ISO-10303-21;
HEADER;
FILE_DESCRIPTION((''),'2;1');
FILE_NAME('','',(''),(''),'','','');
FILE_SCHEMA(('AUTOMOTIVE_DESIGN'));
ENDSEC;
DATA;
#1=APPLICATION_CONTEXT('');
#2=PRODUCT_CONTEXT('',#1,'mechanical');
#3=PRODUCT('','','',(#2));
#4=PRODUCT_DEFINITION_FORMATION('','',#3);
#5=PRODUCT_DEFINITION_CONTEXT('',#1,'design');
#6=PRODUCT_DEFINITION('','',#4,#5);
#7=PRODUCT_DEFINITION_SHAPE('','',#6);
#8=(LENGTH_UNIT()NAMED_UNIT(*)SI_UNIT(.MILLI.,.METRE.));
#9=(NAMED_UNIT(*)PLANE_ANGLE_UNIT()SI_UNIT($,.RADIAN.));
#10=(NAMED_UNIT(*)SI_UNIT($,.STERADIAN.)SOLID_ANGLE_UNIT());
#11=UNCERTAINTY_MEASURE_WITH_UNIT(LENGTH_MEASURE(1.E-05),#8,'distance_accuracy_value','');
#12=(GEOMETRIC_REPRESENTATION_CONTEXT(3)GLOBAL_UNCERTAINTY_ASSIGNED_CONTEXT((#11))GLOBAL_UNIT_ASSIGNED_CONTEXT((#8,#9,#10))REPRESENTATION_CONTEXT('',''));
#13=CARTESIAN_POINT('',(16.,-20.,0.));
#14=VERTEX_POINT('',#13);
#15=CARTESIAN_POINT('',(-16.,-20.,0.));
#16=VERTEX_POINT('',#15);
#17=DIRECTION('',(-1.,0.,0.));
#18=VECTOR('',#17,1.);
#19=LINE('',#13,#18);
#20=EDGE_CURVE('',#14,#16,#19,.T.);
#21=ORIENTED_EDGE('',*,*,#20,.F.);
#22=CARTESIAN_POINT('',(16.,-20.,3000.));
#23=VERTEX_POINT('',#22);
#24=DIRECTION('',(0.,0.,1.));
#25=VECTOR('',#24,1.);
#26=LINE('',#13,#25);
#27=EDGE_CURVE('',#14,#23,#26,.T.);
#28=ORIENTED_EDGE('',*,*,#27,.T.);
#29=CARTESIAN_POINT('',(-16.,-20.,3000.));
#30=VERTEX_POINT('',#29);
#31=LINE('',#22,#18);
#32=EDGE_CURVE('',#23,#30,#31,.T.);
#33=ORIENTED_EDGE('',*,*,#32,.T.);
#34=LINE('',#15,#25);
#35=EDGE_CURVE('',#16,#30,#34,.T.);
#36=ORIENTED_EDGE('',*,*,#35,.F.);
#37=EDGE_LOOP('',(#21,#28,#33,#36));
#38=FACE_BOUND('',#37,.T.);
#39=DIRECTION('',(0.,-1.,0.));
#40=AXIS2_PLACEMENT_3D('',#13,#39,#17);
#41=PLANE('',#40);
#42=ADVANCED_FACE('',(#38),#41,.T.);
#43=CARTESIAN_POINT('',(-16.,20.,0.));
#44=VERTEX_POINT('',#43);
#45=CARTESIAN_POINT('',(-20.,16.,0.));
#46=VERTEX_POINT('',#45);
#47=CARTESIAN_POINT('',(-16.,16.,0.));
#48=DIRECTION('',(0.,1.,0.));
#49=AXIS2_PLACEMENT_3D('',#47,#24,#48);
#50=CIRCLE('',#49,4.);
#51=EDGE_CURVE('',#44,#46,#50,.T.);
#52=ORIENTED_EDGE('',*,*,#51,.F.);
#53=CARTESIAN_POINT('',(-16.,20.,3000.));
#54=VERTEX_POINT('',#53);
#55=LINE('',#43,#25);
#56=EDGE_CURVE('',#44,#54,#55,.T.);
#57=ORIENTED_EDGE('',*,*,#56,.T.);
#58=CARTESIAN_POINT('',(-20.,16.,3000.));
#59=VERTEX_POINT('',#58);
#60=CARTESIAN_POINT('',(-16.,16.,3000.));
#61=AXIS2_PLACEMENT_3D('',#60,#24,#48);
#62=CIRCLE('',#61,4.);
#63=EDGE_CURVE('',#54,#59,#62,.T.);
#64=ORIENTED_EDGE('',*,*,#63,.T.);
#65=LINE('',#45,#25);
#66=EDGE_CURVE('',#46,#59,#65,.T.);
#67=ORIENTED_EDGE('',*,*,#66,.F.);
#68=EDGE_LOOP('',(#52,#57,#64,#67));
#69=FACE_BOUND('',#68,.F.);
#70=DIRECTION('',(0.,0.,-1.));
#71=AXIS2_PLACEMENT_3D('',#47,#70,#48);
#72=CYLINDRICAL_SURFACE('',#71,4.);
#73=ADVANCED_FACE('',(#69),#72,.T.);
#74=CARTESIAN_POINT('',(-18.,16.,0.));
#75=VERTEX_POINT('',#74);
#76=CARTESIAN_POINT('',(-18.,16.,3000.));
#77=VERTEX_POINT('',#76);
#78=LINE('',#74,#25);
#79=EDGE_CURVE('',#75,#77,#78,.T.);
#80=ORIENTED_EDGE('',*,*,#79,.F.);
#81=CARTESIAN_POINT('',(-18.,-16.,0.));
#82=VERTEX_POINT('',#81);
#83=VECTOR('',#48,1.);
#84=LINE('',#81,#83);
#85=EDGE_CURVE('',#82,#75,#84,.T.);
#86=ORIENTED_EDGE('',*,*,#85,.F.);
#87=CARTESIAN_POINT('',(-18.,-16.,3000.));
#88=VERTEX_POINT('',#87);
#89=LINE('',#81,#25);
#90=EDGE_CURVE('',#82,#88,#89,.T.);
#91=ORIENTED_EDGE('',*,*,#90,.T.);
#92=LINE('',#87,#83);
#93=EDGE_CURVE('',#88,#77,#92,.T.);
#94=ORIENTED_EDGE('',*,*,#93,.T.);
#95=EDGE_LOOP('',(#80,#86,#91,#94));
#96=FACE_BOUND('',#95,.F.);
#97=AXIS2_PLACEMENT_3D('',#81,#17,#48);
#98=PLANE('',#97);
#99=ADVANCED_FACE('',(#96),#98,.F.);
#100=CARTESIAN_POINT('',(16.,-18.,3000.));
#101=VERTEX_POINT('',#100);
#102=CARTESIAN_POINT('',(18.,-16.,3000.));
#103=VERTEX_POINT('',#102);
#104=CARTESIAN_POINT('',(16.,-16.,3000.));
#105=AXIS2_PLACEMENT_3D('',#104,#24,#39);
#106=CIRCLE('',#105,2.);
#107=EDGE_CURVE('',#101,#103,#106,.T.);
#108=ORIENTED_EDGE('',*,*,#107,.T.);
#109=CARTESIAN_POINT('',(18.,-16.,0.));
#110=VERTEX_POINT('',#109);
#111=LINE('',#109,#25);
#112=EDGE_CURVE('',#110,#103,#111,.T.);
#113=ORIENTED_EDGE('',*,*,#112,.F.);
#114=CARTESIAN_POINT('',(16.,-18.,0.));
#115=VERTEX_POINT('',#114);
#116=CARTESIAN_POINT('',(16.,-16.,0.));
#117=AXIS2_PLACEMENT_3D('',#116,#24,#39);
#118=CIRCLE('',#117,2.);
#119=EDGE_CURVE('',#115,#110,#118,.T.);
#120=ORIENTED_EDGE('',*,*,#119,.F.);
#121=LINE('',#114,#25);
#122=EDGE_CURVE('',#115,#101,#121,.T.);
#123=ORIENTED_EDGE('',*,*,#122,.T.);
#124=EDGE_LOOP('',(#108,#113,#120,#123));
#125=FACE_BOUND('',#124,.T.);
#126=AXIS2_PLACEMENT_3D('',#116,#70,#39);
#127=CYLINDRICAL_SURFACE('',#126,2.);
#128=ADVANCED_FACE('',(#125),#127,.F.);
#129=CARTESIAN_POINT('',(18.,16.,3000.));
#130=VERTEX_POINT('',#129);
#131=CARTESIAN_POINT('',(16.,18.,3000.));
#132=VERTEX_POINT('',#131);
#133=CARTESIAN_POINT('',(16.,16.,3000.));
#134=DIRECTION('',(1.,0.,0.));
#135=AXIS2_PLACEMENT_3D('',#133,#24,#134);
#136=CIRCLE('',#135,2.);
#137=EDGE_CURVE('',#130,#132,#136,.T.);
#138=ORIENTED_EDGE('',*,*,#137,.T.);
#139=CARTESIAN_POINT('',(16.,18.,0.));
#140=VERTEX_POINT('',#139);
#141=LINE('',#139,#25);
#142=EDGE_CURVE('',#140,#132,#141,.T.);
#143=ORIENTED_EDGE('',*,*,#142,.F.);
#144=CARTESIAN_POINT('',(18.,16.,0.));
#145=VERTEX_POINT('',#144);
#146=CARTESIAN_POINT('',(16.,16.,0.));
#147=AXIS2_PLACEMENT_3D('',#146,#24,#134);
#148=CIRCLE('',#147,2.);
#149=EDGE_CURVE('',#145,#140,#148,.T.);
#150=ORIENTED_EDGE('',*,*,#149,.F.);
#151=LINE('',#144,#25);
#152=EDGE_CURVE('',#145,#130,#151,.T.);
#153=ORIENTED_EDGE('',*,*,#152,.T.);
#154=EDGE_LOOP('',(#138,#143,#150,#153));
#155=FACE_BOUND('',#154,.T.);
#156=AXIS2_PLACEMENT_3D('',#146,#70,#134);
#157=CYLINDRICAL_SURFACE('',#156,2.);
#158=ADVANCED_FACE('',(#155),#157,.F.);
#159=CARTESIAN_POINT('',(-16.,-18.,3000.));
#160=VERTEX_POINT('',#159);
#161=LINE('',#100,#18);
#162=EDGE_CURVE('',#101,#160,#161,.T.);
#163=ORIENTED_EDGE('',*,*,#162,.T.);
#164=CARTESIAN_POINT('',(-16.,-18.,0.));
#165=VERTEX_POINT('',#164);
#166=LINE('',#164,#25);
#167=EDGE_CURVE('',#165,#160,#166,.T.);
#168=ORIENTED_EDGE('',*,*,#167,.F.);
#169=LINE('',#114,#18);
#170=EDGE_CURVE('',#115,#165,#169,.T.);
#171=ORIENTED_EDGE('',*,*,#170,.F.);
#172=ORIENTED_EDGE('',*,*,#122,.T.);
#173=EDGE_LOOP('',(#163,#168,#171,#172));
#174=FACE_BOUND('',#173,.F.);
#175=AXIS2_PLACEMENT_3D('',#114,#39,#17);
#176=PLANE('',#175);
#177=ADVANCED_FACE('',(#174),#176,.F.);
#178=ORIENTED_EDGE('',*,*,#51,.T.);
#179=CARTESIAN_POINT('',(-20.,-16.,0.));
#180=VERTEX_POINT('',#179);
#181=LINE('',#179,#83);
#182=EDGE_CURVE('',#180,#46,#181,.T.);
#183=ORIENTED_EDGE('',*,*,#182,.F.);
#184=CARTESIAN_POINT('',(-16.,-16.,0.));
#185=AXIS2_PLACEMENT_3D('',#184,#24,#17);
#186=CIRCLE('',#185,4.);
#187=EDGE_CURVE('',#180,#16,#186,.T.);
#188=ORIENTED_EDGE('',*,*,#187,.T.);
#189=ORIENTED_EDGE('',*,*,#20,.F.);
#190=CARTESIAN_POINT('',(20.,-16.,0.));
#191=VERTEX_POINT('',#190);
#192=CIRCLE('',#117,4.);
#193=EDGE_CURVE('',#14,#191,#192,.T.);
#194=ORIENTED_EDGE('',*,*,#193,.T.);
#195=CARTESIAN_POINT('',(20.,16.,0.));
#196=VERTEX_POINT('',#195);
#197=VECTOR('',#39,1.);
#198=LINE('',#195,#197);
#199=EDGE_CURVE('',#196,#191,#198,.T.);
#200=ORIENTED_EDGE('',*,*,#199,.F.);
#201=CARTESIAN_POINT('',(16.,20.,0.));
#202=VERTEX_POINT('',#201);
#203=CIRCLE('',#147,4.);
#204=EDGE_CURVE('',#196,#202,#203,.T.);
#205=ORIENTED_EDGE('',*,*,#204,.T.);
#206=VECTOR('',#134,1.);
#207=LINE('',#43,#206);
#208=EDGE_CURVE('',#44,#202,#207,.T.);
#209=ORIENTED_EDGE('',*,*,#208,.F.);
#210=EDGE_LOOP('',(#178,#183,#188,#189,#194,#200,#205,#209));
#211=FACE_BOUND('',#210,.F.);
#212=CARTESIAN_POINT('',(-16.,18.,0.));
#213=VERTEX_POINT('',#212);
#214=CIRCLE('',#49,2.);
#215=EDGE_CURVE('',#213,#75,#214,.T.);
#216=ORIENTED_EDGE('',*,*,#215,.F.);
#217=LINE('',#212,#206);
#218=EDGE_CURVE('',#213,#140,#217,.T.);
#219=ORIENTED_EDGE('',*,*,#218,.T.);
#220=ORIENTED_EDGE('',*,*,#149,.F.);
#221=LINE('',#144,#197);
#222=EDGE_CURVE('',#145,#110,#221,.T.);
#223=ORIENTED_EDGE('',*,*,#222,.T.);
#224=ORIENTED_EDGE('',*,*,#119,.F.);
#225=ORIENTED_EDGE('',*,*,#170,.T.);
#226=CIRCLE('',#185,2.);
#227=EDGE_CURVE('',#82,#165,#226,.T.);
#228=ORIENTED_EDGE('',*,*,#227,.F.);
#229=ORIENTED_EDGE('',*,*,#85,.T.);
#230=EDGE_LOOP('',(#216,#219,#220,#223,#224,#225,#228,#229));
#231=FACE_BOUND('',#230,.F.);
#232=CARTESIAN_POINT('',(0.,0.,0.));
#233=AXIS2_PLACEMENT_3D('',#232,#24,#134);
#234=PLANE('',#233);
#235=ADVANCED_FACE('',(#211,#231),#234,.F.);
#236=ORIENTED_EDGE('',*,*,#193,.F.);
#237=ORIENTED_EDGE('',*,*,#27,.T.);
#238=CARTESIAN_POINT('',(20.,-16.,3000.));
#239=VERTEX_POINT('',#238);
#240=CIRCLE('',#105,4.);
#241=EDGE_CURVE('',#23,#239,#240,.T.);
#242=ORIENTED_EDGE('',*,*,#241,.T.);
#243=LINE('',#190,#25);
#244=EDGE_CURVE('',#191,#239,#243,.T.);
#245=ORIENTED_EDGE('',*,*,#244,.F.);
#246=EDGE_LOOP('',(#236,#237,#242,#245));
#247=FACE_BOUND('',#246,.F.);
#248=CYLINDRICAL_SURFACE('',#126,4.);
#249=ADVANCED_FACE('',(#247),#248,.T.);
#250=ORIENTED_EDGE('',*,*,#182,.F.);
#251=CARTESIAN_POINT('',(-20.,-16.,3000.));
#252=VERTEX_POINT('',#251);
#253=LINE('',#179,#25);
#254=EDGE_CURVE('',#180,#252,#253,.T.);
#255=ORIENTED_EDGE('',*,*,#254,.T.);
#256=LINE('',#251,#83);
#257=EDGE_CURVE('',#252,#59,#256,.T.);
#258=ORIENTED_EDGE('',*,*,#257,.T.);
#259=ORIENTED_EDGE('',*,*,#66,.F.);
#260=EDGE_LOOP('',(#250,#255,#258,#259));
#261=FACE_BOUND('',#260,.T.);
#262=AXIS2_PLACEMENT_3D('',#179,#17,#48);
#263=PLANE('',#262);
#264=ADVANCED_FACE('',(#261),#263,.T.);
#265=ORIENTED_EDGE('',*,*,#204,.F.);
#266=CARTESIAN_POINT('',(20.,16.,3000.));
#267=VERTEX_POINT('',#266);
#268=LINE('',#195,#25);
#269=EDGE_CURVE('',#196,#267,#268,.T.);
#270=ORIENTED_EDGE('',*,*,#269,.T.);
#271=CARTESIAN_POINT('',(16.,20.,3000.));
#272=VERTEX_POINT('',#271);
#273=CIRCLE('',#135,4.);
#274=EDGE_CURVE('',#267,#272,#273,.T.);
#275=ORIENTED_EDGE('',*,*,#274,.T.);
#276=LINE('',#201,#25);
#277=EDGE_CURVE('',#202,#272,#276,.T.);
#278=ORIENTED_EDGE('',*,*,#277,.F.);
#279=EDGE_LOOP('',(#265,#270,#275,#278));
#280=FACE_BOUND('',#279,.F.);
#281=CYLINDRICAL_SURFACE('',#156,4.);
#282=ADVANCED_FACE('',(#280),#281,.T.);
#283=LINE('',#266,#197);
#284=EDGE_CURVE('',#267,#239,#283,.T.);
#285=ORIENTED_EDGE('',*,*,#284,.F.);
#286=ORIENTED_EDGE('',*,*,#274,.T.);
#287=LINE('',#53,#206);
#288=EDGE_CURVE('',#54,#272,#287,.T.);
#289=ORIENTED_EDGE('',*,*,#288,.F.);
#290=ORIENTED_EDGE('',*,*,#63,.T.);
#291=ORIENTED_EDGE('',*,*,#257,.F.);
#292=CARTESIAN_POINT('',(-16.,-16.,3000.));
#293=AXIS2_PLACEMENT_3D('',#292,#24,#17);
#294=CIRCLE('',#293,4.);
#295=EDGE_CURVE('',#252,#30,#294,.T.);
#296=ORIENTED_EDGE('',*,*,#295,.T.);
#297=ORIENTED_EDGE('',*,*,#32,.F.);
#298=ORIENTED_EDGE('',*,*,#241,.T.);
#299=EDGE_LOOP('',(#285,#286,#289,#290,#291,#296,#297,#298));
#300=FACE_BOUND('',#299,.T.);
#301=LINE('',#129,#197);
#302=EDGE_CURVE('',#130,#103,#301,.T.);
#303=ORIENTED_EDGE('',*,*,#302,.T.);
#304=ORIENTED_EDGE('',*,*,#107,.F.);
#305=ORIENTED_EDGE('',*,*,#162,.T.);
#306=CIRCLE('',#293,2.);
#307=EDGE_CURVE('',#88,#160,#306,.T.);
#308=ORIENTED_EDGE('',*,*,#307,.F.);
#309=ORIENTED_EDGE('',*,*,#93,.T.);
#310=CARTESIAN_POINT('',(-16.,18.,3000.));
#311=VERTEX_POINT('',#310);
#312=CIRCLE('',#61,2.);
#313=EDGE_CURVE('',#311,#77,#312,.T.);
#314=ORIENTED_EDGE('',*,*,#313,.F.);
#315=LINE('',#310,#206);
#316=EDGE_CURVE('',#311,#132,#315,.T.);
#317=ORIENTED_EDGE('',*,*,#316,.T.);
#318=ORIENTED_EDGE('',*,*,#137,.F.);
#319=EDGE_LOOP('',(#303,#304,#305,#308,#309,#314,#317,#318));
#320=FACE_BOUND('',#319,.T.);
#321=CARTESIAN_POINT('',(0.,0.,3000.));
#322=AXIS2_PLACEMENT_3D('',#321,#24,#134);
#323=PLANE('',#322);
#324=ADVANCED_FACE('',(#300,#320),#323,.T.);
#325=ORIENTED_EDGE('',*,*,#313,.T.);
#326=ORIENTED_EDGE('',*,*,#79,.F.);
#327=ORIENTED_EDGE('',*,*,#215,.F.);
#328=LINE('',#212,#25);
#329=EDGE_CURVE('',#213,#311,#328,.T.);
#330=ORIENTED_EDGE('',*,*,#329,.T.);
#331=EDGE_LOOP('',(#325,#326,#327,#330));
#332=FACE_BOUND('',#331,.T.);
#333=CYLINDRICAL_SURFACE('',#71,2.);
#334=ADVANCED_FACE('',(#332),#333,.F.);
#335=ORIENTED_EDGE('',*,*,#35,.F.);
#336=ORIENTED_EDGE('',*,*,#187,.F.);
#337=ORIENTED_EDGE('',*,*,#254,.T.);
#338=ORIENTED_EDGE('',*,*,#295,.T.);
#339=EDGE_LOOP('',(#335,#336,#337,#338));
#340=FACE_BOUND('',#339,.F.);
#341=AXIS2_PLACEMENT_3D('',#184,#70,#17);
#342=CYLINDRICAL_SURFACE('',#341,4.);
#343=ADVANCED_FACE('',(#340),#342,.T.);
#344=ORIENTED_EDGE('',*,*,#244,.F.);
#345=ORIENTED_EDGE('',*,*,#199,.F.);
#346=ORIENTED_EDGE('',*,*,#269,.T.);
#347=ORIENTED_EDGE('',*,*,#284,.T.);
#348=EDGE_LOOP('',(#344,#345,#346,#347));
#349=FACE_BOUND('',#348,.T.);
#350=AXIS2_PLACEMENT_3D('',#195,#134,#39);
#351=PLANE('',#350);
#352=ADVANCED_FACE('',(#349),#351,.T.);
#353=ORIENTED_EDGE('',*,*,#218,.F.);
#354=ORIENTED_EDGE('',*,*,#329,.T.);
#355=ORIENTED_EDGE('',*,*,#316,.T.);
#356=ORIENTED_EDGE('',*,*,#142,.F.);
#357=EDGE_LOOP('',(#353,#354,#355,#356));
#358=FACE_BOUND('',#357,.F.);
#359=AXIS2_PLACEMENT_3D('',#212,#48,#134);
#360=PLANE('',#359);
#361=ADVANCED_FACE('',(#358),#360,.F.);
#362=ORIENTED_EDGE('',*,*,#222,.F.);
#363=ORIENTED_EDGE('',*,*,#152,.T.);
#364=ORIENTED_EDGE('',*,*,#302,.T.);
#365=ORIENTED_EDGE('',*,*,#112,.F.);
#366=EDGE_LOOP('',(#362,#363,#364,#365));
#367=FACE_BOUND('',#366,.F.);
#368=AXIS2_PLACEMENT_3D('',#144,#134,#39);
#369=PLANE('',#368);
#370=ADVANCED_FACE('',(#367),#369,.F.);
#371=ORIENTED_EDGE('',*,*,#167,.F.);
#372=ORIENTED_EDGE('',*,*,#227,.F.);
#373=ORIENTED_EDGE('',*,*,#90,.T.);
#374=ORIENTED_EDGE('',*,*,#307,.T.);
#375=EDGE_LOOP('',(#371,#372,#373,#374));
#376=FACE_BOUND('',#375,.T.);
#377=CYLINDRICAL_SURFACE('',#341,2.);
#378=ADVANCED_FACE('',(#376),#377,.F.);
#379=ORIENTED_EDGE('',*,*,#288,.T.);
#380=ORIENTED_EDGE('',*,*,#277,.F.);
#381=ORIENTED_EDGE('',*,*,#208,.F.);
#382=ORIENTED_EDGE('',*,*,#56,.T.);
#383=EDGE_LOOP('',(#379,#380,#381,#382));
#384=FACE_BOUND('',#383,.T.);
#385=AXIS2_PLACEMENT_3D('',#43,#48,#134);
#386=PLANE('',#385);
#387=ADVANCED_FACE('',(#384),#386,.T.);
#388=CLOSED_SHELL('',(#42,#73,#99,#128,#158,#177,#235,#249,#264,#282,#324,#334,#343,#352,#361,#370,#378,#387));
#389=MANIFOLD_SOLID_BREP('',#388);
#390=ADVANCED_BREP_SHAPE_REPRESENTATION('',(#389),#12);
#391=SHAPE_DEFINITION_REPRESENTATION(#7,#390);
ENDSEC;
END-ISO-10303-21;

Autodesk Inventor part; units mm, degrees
ref_plane "YZ Plane" through (0, 0, 0) normal (1, 0, 0) x (0, 1, 0)
ref_plane "Start Plane" through (0, 0, 0) normal (0, 0, 1) x (1, 0, 0)
ref_plane "End Plane" through (0, 0, 3000) normal (0, 0, 1) x (1, 0, 0)
sketch "Sketch" plane through (0, 0, 0) normal (0, 0, 1) x (1, 0, 0)
  line L0 (-20, -16) -> (-20, 16)
  line L1 (-16, 20) -> (16, 20)
  line L2 (20, 16) -> (20, -16)
  line L3 (16, -20) -> (-16, -20)
  arc A0 (-20, -16) -> (-16, -20) centre (-16, -16) ccw
  arc A1 (20, 16) -> (16, 20) centre (16, 16) ccw
  arc A2 (-16, 20) -> (-20, 16) centre (-16, 16) ccw
  arc A3 (16, -20) -> (20, -16) centre (16, -16) ccw
  arc A4 (-16, 18) -> (-18, 16) centre (-16, 16) ccw
  line L4 (-16, 18) -> (16, 18)
  arc A5 (18, 16) -> (16, 18) centre (16, 16) ccw
  line L5 (18, 16) -> (18, -16)
  arc A6 (16, -18) -> (18, -16) centre (16, -16) ccw
  line L6 (16, -18) -> (-16, -18)
  arc A7 (-18, -16) -> (-16, -18) centre (-16, -16) ccw
  line L7 (-18, -16) -> (-18, 16)
  line L8 (0, 29.1598) -> (0, -29.1598) construction
  line L9 (-29.1598, 0) -> (29.1598, 0) construction
  dimension "d7" = 4
  dimension "d9" = 40
  dimension "d11" = 40
  dimension "d12" = 2
  dimension "d15" = 20
  dimension "d16" = 20
extrude "Body" add sketch "Sketch" along normal up to surface (3000 mm away) from surface at 0
sketch "Sketch3" plane through (0, 0, 0) normal (0, 0, 1) x (1, 0, 0)
  line L0 (0, 0) -> (10, 0)
ref_plane "Work Plane3" through (0, 0, 0) normal (0, -1, 0) x (1, 0, 0)
sketch "Sketch4" plane through (0, 0, 0) normal (0, -1, 0) x (1, 0, 0)
  line L0 (-2, 0) -> (12, 0) projected
  line L1 (-2, 3000) -> (12, 3000) projected
  dimension "d18" = 3000
equation "\"d7\" = G_IR"
equation "\"d9\" = G_W"
equation "\"d11\" = G_H"
equation "\"d12\" = G_T"
equation "\"d15\" = 0.5 * d9"
equation "\"d16\" = 0.5 * d11"
equation "\"d3\" = G_L"
equation "\"G_W\" = 40"
equation "\"G_H\" = 40"
equation "\"G_T\" = 2"
equation "\"G_IR\" = 4"
equation "\"G_L\" = d18"
equation "\"G_OFFSET_START\" = 0"
equation "\"G_OFFSET_END\" = 0"
properties part number "ISO 4019 - 40x40x2 - 3000" material "Steel, Mild"
